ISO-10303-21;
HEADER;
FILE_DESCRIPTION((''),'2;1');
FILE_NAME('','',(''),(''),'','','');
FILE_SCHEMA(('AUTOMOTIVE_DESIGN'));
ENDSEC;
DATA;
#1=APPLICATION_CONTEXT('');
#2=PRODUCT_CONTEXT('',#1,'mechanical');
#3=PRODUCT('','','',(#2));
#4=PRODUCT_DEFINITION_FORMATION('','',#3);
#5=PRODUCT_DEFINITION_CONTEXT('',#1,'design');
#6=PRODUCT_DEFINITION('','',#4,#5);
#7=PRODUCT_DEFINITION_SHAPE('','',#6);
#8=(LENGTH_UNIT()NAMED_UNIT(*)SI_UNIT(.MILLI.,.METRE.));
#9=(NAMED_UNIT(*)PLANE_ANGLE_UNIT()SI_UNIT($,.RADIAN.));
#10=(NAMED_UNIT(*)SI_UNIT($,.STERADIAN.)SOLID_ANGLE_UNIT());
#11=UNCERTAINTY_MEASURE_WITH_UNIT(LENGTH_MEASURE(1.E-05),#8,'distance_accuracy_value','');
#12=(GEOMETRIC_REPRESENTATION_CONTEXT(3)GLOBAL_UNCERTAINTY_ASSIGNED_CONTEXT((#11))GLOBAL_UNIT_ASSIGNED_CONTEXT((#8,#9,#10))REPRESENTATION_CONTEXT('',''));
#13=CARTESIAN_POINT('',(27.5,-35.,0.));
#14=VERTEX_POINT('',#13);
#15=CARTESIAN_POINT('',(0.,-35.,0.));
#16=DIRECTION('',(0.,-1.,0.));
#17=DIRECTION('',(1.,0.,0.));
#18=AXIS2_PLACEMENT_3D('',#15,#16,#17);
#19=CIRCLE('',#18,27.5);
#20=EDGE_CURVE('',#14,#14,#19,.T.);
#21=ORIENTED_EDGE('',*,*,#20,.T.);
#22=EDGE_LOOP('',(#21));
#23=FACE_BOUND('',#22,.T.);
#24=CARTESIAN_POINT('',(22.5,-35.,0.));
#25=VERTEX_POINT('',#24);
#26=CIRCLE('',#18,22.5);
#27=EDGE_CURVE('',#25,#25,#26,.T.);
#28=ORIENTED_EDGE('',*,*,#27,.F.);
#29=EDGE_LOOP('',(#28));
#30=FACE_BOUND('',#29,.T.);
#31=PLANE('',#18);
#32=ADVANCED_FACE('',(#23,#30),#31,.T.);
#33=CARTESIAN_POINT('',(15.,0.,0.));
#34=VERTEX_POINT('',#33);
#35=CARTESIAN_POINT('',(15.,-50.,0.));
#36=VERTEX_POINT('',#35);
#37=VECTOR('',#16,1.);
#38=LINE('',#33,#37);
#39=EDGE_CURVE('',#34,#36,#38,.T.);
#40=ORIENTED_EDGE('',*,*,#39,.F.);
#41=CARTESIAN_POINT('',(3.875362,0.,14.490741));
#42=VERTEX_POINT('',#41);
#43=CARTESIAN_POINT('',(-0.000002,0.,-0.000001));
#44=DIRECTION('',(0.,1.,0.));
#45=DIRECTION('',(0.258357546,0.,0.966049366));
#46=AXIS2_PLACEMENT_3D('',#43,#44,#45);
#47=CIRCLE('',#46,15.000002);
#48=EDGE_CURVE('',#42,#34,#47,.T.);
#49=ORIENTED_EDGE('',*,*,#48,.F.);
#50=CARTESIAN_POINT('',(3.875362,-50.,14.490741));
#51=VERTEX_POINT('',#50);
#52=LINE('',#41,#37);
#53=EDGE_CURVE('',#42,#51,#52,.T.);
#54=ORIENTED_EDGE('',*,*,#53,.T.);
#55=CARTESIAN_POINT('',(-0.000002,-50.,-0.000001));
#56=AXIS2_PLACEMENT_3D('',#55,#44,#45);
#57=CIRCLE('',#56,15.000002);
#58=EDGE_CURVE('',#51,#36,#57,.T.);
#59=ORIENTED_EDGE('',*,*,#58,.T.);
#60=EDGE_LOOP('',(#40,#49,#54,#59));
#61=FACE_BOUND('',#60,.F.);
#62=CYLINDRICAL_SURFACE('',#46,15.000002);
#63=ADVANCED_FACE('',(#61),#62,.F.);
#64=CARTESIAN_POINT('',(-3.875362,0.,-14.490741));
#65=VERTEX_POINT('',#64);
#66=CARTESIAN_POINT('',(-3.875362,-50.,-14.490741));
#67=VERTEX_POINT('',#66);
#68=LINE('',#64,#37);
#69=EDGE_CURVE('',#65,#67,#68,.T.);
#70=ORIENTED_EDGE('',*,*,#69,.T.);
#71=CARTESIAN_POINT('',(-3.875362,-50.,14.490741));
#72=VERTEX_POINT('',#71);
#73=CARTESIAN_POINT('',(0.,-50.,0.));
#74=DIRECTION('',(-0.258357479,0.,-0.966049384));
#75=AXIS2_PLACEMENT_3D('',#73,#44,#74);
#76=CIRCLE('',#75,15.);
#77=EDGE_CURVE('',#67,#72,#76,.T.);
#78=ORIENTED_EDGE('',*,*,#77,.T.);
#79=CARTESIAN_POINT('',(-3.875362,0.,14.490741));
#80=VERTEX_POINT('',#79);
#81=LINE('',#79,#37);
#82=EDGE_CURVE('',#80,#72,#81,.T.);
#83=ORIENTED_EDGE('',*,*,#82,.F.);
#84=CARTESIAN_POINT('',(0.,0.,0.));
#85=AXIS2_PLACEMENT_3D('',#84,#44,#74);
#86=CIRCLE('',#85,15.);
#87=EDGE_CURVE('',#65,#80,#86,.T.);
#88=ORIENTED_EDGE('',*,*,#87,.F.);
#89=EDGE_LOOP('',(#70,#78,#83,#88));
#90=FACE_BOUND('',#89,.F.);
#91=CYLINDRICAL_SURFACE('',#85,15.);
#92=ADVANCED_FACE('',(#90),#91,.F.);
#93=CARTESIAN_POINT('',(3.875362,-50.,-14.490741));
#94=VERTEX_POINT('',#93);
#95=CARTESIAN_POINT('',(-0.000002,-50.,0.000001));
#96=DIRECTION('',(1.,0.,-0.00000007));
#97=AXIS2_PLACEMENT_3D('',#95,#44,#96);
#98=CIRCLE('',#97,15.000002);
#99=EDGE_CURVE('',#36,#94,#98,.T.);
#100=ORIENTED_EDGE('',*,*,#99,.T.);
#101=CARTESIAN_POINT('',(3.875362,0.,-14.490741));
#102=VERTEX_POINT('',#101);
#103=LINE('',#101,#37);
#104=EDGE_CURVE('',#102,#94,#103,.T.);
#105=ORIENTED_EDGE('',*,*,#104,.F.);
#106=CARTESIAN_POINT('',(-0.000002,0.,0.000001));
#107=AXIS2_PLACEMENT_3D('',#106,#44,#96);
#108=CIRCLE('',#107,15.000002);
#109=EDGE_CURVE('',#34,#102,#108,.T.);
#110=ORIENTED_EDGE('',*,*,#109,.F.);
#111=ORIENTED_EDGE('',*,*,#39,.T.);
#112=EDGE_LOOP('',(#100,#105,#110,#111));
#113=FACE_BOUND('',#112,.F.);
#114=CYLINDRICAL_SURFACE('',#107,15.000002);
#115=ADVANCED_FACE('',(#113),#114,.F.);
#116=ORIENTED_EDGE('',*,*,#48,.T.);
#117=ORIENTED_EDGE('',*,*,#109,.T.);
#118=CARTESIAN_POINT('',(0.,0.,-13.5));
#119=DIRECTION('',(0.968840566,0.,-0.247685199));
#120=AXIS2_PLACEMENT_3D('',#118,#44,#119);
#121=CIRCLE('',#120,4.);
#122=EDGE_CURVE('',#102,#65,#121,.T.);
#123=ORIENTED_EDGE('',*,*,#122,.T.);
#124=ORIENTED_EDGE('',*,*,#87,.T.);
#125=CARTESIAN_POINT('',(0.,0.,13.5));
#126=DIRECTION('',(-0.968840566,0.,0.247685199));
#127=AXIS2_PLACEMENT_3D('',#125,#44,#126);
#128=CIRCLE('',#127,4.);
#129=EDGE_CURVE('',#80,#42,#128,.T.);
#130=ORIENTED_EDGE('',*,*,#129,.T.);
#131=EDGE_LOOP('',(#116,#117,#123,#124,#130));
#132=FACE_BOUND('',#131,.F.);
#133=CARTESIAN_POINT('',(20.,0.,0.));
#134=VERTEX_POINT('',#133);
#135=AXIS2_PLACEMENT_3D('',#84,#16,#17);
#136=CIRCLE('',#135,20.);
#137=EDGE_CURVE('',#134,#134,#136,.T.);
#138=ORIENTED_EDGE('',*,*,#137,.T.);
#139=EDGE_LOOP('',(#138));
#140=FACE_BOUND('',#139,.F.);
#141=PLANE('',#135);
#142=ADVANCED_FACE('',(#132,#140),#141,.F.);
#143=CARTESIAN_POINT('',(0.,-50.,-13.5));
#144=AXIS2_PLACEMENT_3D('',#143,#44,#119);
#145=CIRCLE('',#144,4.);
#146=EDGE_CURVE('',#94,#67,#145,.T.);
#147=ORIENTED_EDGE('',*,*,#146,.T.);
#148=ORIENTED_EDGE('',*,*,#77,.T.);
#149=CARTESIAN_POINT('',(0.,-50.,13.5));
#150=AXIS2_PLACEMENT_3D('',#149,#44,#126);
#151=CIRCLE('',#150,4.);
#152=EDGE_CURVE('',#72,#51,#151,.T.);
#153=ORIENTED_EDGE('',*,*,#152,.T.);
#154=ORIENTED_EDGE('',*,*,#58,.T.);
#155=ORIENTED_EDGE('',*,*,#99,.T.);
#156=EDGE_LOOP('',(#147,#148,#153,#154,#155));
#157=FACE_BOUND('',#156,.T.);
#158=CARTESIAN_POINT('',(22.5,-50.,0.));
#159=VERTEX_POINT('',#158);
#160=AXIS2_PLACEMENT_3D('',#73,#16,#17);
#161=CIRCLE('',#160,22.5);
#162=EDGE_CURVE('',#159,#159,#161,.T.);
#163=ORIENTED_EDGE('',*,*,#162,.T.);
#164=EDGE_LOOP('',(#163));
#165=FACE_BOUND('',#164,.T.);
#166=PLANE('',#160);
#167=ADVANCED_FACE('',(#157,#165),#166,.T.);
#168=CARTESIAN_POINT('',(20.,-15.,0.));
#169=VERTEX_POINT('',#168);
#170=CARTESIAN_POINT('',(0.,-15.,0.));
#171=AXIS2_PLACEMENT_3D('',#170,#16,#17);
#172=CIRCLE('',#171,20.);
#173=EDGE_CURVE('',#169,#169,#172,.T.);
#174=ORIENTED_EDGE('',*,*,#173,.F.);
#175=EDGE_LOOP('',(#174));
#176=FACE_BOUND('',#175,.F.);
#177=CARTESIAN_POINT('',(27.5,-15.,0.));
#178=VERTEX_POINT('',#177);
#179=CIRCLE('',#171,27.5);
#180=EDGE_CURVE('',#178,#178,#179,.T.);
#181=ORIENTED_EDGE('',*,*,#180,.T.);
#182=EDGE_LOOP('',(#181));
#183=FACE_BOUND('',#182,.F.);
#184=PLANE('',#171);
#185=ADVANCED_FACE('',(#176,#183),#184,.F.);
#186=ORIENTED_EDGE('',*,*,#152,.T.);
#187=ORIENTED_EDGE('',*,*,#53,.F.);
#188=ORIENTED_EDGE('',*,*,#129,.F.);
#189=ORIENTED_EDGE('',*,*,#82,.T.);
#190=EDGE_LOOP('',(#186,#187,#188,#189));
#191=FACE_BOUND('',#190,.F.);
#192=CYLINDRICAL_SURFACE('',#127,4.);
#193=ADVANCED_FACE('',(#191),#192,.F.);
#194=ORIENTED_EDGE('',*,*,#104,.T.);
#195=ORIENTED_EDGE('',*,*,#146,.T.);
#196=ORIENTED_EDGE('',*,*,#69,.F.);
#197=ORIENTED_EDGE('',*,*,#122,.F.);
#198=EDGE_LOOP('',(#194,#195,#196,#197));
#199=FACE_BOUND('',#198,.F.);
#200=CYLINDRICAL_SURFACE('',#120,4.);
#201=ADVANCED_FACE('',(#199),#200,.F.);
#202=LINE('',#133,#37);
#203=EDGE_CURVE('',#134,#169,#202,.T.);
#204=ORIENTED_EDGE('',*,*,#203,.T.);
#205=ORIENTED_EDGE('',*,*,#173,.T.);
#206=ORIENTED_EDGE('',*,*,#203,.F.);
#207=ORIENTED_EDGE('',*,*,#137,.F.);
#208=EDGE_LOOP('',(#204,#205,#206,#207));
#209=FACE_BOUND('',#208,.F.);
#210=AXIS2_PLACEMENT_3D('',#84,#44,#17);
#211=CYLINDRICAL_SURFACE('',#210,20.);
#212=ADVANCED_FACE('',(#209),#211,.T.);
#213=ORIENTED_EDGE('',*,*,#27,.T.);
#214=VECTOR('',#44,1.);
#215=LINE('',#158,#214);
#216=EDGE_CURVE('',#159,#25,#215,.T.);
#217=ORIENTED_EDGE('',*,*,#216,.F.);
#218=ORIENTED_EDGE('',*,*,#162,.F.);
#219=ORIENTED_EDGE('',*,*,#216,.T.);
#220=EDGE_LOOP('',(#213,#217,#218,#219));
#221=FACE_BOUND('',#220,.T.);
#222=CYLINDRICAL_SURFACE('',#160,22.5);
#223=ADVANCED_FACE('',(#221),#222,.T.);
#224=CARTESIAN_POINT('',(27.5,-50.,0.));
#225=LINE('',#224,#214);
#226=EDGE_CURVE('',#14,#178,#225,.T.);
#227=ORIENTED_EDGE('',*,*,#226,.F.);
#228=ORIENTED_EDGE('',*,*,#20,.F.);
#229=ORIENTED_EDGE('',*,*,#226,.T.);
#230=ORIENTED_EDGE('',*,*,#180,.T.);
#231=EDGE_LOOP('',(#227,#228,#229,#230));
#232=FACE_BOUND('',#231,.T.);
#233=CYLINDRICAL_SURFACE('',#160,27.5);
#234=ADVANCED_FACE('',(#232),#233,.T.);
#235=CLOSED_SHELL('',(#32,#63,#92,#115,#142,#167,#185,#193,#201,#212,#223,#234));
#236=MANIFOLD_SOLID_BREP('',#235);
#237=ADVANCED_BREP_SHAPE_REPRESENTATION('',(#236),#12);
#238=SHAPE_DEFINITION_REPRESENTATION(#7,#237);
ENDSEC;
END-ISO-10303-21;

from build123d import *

# Parameters (mm, degrees)
F0_R     = 20
F1_DEPTH = 50
F2_R     = 27.5
F2_R_2   = 20
F3_DEPTH = 35
F4_R     = 29.753541
F4_R_2   = 22.5
F5_DEPTH = 15


with BuildPart() as f1:
    # F0 (on Front) → F1 (new body)
    with BuildSketch(Plane.XZ):
        Circle(F0_R)
        with BuildLine():
            ThreePointArc((3.875362, 14.490741), (11.898118, 9.134264), (15, 0))
            ThreePointArc((15, 0), (11.898118, -9.134264), (3.875362, -14.490741))
            ThreePointArc((3.875362, -14.490741), (0, -17.5), (-3.875362, -14.490741))
            ThreePointArc((-3.875362, -14.490741), (-15, 0), (-3.875362, 14.490741))
            ThreePointArc((-3.875362, 14.490741), (0, 17.5), (3.875362, 14.490741))
        make_face(mode=Mode.SUBTRACT)
    extrude(amount=F1_DEPTH)

    # F2 (on face) → F3 (join)
    with BuildSketch(Plane.XZ.offset(50)):
        Circle(F2_R)
        Circle(F2_R_2, mode=Mode.SUBTRACT)
    extrude(amount=-F3_DEPTH)

    # F4 (on face) → F5 (cut)
    with BuildSketch(Plane.XZ.offset(50)):
        Circle(F4_R)
        Circle(F4_R_2, mode=Mode.SUBTRACT)
    extrude(amount=-F5_DEPTH, mode=Mode.SUBTRACT)


solid = f1.part
